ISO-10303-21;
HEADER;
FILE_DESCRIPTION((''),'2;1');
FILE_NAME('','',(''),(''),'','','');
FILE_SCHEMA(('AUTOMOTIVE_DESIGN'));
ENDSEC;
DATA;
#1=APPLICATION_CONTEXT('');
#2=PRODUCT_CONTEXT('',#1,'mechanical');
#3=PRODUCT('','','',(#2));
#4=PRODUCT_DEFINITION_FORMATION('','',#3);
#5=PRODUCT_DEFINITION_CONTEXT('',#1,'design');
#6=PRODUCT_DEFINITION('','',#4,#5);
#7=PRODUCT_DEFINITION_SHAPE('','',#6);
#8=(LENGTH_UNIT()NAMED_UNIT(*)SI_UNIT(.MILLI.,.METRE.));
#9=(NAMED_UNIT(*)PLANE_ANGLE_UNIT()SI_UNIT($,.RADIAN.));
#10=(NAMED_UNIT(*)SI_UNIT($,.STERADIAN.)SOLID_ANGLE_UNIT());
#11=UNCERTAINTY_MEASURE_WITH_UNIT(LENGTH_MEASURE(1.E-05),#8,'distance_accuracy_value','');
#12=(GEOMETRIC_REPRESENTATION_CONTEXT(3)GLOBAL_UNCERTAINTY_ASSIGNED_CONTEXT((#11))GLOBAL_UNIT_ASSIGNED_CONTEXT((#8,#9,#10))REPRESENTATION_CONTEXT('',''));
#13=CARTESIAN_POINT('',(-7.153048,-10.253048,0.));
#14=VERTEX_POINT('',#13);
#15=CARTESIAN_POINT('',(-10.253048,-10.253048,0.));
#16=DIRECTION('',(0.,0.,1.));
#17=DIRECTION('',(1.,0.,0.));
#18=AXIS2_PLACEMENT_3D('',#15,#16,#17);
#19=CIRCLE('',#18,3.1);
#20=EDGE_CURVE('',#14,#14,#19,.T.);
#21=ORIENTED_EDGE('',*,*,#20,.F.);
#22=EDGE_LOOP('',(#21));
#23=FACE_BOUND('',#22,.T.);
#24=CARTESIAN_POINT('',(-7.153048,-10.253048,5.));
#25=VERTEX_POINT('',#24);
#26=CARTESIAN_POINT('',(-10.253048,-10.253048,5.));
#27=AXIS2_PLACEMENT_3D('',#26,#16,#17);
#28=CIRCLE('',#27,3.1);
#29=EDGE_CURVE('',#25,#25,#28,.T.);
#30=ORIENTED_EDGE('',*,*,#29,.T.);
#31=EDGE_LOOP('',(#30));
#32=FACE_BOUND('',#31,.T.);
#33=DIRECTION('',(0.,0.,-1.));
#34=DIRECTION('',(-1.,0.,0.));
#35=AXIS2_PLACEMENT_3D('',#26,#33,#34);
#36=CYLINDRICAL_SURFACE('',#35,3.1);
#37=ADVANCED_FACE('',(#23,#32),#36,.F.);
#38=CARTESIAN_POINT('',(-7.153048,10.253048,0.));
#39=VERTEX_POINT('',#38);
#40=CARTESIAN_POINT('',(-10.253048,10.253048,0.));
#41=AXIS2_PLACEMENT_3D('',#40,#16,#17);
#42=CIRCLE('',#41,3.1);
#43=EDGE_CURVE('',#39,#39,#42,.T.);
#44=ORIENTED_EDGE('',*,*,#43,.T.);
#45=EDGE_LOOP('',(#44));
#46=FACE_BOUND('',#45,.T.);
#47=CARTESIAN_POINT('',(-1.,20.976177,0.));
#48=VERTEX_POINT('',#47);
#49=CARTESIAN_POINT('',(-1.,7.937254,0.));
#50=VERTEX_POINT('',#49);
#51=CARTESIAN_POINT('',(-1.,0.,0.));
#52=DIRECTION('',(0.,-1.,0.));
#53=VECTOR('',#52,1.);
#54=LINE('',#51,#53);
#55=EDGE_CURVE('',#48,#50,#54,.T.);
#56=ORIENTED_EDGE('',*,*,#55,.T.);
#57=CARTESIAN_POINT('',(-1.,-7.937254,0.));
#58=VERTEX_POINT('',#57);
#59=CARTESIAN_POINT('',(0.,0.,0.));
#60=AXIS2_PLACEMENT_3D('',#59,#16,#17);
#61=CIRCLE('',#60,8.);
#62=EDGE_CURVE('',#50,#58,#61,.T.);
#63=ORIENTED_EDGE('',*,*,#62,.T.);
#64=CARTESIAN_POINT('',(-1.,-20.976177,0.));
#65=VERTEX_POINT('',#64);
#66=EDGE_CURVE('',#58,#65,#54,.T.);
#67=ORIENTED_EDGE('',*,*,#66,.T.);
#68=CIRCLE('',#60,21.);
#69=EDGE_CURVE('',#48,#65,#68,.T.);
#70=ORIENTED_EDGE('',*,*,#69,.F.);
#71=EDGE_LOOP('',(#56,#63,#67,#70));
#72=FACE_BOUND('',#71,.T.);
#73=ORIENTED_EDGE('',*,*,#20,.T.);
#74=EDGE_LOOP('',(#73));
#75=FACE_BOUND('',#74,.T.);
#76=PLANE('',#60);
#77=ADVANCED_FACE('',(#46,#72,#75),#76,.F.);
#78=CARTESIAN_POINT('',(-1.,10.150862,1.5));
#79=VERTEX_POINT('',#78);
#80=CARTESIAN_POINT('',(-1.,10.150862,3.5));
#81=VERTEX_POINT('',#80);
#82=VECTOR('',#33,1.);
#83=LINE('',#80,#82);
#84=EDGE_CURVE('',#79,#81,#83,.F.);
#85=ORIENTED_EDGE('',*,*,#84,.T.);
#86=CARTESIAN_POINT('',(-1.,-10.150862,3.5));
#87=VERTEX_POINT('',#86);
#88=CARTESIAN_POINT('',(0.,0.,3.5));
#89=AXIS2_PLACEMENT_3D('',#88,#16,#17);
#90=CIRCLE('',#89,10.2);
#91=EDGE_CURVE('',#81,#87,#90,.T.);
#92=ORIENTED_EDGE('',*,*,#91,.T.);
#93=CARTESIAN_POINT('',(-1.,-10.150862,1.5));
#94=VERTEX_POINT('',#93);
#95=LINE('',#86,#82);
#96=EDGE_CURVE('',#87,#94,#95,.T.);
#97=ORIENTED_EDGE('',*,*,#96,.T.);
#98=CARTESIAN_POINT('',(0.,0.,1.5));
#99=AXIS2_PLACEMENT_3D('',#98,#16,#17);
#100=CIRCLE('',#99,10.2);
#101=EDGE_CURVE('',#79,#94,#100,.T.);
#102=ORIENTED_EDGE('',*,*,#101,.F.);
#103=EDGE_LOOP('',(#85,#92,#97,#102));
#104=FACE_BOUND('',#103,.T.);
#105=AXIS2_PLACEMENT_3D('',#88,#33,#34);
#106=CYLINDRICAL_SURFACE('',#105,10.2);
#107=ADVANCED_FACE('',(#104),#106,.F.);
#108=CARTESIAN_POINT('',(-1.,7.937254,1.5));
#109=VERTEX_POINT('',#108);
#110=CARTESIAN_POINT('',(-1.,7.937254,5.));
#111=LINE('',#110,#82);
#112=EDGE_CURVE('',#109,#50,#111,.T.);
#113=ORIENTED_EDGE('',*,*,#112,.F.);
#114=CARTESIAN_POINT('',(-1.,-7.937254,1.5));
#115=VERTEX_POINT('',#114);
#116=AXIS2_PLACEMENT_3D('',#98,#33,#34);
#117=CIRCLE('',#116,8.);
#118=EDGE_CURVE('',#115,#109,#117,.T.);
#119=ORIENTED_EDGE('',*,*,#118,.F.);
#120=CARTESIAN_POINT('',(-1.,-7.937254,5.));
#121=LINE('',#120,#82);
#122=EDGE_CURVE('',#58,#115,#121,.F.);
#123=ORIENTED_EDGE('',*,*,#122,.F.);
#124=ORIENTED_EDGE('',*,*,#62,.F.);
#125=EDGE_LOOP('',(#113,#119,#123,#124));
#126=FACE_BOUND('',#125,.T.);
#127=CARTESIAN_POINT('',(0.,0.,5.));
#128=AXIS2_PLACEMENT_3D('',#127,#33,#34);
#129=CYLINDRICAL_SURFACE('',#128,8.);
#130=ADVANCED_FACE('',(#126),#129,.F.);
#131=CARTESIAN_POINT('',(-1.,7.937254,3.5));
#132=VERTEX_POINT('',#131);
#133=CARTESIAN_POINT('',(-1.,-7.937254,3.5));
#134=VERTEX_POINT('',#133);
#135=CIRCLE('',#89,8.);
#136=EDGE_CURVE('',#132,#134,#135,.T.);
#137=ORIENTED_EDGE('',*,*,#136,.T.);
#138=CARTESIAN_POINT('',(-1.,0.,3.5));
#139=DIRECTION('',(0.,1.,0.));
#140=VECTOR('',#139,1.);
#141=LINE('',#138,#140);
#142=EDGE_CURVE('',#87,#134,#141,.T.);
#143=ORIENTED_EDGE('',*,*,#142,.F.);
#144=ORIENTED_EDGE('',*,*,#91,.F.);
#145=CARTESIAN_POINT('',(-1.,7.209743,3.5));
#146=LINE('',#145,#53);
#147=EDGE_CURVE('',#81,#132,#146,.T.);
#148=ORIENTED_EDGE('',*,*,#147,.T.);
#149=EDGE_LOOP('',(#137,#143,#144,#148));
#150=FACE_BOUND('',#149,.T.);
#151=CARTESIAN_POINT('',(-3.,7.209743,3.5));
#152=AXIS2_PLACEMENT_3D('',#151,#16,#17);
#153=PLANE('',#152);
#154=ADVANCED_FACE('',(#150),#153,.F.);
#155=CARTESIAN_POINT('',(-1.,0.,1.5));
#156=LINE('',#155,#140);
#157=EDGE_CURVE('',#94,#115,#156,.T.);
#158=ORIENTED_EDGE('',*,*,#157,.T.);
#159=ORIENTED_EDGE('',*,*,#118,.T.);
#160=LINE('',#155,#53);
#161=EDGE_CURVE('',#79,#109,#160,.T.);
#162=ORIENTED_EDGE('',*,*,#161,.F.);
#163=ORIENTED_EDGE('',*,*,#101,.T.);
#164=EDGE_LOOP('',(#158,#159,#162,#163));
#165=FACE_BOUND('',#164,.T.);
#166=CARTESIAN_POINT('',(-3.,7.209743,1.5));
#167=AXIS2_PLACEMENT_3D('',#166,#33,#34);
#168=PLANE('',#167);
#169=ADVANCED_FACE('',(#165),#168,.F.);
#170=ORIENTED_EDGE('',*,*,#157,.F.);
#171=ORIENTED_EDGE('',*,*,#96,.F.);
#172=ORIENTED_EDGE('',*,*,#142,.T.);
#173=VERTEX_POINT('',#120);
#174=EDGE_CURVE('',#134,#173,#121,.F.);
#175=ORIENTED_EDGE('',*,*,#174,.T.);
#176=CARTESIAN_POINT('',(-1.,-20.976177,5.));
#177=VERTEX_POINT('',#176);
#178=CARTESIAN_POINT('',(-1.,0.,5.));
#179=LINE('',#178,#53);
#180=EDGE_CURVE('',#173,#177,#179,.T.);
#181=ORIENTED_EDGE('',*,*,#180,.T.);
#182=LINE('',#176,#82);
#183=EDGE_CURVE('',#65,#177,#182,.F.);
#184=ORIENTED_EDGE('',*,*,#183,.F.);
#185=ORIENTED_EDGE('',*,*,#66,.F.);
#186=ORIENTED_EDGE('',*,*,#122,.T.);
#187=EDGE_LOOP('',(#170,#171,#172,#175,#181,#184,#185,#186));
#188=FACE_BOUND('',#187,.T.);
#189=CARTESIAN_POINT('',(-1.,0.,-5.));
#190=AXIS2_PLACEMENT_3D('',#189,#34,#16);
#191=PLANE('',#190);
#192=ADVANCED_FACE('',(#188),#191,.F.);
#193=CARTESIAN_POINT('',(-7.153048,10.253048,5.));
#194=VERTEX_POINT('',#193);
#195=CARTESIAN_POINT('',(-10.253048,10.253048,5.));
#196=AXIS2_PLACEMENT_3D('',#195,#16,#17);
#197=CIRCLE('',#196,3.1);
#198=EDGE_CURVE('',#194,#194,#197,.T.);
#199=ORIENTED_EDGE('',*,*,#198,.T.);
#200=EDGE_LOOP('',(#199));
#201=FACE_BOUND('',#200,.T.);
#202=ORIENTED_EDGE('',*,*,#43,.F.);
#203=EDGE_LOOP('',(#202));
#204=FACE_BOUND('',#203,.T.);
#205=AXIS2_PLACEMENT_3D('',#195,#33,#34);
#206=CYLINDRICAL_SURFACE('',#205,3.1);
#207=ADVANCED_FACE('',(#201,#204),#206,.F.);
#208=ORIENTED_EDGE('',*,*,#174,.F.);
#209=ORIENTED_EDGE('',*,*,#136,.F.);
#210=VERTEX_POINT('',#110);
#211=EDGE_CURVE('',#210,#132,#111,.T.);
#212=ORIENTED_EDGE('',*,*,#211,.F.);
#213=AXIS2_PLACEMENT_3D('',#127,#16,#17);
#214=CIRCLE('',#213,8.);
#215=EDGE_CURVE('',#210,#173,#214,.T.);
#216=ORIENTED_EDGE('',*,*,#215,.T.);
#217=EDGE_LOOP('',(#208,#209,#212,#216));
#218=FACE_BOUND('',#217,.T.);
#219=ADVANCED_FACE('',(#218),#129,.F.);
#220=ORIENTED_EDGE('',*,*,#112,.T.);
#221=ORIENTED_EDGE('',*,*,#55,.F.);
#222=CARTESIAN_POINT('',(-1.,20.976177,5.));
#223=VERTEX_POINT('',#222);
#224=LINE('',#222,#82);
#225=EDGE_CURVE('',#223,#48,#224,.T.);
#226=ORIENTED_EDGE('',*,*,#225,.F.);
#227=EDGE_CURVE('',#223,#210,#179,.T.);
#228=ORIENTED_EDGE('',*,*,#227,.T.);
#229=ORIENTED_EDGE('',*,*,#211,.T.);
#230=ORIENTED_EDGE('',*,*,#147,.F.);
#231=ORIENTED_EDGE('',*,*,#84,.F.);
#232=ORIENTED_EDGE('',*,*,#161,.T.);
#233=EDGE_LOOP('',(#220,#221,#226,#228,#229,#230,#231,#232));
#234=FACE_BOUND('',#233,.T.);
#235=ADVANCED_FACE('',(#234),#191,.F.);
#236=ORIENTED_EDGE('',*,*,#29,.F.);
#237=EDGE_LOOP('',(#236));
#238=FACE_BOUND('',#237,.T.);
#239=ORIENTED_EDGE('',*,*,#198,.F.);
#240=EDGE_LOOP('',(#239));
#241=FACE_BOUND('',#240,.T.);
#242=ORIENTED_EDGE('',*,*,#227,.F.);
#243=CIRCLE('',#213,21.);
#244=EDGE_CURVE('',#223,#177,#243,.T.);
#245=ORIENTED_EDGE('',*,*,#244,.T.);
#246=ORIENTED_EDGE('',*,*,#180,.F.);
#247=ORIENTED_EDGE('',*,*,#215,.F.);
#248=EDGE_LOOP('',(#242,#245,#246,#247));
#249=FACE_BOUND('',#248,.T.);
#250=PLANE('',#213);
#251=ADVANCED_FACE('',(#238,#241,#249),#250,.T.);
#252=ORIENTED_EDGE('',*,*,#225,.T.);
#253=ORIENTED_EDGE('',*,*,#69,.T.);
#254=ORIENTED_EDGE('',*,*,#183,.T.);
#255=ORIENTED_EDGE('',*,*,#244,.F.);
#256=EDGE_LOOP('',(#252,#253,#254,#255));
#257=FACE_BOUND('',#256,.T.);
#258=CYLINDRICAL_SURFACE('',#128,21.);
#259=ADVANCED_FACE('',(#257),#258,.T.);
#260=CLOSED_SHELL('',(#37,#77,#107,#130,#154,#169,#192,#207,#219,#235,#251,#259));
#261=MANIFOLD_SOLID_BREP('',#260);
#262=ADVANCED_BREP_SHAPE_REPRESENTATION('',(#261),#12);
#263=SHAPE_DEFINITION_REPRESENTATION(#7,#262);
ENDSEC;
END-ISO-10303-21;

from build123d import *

# Parameters (mm, degrees)
SKETCH_1_R          = 21
SKETCH_1_R_2        = 3.1
SKETCH_1_R_3        = 8
EXTRUDE_1_DEPTH     = 5
CUT_EXTRUDE_1_DEPTH = 10
SKETCH_3_W          = 2
SKETCH_3_H          = 1.455022594
CUT_EXTRUDE_2_DEPTH = 2
SKETCH_4_R          = 10.2
CUT_EXTRUDE_3_DEPTH = 2


with BuildPart() as part:
    # 草图1 → 凸台-拉伸1 (new body)
    with BuildSketch(Plane.XY):
        Circle(SKETCH_1_R)
        with Locations((-10.253048327, 10.253048327)):
            Circle(SKETCH_1_R_2, mode=Mode.SUBTRACT)
        with Locations((10.253048327, 10.253048327)):
            Circle(SKETCH_1_R_2, mode=Mode.SUBTRACT)
        with Locations((-10.253048327, -10.253048327)):
            Circle(SKETCH_1_R_2, mode=Mode.SUBTRACT)
        with Locations((10.253048327, -10.253048327)):
            Circle(SKETCH_1_R_2, mode=Mode.SUBTRACT)
        Circle(SKETCH_1_R_3, mode=Mode.SUBTRACT)
    extrude(amount=EXTRUDE_1_DEPTH)

    # 草图2 → 切除-拉伸1 (cut)
    with BuildSketch(Plane.XY.offset(5)):
        Polygon((-1, 0), (-1, 23.542037427), (27.759132826, 23.542037427), (27.759132826, -27.308763415), (-1, -27.308763415), align=None)
    extrude(amount=-CUT_EXTRUDE_1_DEPTH, mode=Mode.SUBTRACT)

    # 草图3 → 切除-拉伸2 (cut)
    with BuildSketch(Plane(origin=(-1, 0, 0), x_dir=(0, 0, -1), z_dir=(1, 0, 0))):
        with Locations((-2.5, 7.937253933)):
            Rectangle(SKETCH_3_W, SKETCH_3_H)
    extrude(amount=-CUT_EXTRUDE_2_DEPTH, mode=Mode.SUBTRACT)

    # 草图4 → 切除-拉伸3 (cut)
    with BuildSketch(Plane.XY.offset(1.5)):
        Circle(SKETCH_4_R)
    extrude(amount=CUT_EXTRUDE_3_DEPTH, mode=Mode.SUBTRACT)


solid = part.part
